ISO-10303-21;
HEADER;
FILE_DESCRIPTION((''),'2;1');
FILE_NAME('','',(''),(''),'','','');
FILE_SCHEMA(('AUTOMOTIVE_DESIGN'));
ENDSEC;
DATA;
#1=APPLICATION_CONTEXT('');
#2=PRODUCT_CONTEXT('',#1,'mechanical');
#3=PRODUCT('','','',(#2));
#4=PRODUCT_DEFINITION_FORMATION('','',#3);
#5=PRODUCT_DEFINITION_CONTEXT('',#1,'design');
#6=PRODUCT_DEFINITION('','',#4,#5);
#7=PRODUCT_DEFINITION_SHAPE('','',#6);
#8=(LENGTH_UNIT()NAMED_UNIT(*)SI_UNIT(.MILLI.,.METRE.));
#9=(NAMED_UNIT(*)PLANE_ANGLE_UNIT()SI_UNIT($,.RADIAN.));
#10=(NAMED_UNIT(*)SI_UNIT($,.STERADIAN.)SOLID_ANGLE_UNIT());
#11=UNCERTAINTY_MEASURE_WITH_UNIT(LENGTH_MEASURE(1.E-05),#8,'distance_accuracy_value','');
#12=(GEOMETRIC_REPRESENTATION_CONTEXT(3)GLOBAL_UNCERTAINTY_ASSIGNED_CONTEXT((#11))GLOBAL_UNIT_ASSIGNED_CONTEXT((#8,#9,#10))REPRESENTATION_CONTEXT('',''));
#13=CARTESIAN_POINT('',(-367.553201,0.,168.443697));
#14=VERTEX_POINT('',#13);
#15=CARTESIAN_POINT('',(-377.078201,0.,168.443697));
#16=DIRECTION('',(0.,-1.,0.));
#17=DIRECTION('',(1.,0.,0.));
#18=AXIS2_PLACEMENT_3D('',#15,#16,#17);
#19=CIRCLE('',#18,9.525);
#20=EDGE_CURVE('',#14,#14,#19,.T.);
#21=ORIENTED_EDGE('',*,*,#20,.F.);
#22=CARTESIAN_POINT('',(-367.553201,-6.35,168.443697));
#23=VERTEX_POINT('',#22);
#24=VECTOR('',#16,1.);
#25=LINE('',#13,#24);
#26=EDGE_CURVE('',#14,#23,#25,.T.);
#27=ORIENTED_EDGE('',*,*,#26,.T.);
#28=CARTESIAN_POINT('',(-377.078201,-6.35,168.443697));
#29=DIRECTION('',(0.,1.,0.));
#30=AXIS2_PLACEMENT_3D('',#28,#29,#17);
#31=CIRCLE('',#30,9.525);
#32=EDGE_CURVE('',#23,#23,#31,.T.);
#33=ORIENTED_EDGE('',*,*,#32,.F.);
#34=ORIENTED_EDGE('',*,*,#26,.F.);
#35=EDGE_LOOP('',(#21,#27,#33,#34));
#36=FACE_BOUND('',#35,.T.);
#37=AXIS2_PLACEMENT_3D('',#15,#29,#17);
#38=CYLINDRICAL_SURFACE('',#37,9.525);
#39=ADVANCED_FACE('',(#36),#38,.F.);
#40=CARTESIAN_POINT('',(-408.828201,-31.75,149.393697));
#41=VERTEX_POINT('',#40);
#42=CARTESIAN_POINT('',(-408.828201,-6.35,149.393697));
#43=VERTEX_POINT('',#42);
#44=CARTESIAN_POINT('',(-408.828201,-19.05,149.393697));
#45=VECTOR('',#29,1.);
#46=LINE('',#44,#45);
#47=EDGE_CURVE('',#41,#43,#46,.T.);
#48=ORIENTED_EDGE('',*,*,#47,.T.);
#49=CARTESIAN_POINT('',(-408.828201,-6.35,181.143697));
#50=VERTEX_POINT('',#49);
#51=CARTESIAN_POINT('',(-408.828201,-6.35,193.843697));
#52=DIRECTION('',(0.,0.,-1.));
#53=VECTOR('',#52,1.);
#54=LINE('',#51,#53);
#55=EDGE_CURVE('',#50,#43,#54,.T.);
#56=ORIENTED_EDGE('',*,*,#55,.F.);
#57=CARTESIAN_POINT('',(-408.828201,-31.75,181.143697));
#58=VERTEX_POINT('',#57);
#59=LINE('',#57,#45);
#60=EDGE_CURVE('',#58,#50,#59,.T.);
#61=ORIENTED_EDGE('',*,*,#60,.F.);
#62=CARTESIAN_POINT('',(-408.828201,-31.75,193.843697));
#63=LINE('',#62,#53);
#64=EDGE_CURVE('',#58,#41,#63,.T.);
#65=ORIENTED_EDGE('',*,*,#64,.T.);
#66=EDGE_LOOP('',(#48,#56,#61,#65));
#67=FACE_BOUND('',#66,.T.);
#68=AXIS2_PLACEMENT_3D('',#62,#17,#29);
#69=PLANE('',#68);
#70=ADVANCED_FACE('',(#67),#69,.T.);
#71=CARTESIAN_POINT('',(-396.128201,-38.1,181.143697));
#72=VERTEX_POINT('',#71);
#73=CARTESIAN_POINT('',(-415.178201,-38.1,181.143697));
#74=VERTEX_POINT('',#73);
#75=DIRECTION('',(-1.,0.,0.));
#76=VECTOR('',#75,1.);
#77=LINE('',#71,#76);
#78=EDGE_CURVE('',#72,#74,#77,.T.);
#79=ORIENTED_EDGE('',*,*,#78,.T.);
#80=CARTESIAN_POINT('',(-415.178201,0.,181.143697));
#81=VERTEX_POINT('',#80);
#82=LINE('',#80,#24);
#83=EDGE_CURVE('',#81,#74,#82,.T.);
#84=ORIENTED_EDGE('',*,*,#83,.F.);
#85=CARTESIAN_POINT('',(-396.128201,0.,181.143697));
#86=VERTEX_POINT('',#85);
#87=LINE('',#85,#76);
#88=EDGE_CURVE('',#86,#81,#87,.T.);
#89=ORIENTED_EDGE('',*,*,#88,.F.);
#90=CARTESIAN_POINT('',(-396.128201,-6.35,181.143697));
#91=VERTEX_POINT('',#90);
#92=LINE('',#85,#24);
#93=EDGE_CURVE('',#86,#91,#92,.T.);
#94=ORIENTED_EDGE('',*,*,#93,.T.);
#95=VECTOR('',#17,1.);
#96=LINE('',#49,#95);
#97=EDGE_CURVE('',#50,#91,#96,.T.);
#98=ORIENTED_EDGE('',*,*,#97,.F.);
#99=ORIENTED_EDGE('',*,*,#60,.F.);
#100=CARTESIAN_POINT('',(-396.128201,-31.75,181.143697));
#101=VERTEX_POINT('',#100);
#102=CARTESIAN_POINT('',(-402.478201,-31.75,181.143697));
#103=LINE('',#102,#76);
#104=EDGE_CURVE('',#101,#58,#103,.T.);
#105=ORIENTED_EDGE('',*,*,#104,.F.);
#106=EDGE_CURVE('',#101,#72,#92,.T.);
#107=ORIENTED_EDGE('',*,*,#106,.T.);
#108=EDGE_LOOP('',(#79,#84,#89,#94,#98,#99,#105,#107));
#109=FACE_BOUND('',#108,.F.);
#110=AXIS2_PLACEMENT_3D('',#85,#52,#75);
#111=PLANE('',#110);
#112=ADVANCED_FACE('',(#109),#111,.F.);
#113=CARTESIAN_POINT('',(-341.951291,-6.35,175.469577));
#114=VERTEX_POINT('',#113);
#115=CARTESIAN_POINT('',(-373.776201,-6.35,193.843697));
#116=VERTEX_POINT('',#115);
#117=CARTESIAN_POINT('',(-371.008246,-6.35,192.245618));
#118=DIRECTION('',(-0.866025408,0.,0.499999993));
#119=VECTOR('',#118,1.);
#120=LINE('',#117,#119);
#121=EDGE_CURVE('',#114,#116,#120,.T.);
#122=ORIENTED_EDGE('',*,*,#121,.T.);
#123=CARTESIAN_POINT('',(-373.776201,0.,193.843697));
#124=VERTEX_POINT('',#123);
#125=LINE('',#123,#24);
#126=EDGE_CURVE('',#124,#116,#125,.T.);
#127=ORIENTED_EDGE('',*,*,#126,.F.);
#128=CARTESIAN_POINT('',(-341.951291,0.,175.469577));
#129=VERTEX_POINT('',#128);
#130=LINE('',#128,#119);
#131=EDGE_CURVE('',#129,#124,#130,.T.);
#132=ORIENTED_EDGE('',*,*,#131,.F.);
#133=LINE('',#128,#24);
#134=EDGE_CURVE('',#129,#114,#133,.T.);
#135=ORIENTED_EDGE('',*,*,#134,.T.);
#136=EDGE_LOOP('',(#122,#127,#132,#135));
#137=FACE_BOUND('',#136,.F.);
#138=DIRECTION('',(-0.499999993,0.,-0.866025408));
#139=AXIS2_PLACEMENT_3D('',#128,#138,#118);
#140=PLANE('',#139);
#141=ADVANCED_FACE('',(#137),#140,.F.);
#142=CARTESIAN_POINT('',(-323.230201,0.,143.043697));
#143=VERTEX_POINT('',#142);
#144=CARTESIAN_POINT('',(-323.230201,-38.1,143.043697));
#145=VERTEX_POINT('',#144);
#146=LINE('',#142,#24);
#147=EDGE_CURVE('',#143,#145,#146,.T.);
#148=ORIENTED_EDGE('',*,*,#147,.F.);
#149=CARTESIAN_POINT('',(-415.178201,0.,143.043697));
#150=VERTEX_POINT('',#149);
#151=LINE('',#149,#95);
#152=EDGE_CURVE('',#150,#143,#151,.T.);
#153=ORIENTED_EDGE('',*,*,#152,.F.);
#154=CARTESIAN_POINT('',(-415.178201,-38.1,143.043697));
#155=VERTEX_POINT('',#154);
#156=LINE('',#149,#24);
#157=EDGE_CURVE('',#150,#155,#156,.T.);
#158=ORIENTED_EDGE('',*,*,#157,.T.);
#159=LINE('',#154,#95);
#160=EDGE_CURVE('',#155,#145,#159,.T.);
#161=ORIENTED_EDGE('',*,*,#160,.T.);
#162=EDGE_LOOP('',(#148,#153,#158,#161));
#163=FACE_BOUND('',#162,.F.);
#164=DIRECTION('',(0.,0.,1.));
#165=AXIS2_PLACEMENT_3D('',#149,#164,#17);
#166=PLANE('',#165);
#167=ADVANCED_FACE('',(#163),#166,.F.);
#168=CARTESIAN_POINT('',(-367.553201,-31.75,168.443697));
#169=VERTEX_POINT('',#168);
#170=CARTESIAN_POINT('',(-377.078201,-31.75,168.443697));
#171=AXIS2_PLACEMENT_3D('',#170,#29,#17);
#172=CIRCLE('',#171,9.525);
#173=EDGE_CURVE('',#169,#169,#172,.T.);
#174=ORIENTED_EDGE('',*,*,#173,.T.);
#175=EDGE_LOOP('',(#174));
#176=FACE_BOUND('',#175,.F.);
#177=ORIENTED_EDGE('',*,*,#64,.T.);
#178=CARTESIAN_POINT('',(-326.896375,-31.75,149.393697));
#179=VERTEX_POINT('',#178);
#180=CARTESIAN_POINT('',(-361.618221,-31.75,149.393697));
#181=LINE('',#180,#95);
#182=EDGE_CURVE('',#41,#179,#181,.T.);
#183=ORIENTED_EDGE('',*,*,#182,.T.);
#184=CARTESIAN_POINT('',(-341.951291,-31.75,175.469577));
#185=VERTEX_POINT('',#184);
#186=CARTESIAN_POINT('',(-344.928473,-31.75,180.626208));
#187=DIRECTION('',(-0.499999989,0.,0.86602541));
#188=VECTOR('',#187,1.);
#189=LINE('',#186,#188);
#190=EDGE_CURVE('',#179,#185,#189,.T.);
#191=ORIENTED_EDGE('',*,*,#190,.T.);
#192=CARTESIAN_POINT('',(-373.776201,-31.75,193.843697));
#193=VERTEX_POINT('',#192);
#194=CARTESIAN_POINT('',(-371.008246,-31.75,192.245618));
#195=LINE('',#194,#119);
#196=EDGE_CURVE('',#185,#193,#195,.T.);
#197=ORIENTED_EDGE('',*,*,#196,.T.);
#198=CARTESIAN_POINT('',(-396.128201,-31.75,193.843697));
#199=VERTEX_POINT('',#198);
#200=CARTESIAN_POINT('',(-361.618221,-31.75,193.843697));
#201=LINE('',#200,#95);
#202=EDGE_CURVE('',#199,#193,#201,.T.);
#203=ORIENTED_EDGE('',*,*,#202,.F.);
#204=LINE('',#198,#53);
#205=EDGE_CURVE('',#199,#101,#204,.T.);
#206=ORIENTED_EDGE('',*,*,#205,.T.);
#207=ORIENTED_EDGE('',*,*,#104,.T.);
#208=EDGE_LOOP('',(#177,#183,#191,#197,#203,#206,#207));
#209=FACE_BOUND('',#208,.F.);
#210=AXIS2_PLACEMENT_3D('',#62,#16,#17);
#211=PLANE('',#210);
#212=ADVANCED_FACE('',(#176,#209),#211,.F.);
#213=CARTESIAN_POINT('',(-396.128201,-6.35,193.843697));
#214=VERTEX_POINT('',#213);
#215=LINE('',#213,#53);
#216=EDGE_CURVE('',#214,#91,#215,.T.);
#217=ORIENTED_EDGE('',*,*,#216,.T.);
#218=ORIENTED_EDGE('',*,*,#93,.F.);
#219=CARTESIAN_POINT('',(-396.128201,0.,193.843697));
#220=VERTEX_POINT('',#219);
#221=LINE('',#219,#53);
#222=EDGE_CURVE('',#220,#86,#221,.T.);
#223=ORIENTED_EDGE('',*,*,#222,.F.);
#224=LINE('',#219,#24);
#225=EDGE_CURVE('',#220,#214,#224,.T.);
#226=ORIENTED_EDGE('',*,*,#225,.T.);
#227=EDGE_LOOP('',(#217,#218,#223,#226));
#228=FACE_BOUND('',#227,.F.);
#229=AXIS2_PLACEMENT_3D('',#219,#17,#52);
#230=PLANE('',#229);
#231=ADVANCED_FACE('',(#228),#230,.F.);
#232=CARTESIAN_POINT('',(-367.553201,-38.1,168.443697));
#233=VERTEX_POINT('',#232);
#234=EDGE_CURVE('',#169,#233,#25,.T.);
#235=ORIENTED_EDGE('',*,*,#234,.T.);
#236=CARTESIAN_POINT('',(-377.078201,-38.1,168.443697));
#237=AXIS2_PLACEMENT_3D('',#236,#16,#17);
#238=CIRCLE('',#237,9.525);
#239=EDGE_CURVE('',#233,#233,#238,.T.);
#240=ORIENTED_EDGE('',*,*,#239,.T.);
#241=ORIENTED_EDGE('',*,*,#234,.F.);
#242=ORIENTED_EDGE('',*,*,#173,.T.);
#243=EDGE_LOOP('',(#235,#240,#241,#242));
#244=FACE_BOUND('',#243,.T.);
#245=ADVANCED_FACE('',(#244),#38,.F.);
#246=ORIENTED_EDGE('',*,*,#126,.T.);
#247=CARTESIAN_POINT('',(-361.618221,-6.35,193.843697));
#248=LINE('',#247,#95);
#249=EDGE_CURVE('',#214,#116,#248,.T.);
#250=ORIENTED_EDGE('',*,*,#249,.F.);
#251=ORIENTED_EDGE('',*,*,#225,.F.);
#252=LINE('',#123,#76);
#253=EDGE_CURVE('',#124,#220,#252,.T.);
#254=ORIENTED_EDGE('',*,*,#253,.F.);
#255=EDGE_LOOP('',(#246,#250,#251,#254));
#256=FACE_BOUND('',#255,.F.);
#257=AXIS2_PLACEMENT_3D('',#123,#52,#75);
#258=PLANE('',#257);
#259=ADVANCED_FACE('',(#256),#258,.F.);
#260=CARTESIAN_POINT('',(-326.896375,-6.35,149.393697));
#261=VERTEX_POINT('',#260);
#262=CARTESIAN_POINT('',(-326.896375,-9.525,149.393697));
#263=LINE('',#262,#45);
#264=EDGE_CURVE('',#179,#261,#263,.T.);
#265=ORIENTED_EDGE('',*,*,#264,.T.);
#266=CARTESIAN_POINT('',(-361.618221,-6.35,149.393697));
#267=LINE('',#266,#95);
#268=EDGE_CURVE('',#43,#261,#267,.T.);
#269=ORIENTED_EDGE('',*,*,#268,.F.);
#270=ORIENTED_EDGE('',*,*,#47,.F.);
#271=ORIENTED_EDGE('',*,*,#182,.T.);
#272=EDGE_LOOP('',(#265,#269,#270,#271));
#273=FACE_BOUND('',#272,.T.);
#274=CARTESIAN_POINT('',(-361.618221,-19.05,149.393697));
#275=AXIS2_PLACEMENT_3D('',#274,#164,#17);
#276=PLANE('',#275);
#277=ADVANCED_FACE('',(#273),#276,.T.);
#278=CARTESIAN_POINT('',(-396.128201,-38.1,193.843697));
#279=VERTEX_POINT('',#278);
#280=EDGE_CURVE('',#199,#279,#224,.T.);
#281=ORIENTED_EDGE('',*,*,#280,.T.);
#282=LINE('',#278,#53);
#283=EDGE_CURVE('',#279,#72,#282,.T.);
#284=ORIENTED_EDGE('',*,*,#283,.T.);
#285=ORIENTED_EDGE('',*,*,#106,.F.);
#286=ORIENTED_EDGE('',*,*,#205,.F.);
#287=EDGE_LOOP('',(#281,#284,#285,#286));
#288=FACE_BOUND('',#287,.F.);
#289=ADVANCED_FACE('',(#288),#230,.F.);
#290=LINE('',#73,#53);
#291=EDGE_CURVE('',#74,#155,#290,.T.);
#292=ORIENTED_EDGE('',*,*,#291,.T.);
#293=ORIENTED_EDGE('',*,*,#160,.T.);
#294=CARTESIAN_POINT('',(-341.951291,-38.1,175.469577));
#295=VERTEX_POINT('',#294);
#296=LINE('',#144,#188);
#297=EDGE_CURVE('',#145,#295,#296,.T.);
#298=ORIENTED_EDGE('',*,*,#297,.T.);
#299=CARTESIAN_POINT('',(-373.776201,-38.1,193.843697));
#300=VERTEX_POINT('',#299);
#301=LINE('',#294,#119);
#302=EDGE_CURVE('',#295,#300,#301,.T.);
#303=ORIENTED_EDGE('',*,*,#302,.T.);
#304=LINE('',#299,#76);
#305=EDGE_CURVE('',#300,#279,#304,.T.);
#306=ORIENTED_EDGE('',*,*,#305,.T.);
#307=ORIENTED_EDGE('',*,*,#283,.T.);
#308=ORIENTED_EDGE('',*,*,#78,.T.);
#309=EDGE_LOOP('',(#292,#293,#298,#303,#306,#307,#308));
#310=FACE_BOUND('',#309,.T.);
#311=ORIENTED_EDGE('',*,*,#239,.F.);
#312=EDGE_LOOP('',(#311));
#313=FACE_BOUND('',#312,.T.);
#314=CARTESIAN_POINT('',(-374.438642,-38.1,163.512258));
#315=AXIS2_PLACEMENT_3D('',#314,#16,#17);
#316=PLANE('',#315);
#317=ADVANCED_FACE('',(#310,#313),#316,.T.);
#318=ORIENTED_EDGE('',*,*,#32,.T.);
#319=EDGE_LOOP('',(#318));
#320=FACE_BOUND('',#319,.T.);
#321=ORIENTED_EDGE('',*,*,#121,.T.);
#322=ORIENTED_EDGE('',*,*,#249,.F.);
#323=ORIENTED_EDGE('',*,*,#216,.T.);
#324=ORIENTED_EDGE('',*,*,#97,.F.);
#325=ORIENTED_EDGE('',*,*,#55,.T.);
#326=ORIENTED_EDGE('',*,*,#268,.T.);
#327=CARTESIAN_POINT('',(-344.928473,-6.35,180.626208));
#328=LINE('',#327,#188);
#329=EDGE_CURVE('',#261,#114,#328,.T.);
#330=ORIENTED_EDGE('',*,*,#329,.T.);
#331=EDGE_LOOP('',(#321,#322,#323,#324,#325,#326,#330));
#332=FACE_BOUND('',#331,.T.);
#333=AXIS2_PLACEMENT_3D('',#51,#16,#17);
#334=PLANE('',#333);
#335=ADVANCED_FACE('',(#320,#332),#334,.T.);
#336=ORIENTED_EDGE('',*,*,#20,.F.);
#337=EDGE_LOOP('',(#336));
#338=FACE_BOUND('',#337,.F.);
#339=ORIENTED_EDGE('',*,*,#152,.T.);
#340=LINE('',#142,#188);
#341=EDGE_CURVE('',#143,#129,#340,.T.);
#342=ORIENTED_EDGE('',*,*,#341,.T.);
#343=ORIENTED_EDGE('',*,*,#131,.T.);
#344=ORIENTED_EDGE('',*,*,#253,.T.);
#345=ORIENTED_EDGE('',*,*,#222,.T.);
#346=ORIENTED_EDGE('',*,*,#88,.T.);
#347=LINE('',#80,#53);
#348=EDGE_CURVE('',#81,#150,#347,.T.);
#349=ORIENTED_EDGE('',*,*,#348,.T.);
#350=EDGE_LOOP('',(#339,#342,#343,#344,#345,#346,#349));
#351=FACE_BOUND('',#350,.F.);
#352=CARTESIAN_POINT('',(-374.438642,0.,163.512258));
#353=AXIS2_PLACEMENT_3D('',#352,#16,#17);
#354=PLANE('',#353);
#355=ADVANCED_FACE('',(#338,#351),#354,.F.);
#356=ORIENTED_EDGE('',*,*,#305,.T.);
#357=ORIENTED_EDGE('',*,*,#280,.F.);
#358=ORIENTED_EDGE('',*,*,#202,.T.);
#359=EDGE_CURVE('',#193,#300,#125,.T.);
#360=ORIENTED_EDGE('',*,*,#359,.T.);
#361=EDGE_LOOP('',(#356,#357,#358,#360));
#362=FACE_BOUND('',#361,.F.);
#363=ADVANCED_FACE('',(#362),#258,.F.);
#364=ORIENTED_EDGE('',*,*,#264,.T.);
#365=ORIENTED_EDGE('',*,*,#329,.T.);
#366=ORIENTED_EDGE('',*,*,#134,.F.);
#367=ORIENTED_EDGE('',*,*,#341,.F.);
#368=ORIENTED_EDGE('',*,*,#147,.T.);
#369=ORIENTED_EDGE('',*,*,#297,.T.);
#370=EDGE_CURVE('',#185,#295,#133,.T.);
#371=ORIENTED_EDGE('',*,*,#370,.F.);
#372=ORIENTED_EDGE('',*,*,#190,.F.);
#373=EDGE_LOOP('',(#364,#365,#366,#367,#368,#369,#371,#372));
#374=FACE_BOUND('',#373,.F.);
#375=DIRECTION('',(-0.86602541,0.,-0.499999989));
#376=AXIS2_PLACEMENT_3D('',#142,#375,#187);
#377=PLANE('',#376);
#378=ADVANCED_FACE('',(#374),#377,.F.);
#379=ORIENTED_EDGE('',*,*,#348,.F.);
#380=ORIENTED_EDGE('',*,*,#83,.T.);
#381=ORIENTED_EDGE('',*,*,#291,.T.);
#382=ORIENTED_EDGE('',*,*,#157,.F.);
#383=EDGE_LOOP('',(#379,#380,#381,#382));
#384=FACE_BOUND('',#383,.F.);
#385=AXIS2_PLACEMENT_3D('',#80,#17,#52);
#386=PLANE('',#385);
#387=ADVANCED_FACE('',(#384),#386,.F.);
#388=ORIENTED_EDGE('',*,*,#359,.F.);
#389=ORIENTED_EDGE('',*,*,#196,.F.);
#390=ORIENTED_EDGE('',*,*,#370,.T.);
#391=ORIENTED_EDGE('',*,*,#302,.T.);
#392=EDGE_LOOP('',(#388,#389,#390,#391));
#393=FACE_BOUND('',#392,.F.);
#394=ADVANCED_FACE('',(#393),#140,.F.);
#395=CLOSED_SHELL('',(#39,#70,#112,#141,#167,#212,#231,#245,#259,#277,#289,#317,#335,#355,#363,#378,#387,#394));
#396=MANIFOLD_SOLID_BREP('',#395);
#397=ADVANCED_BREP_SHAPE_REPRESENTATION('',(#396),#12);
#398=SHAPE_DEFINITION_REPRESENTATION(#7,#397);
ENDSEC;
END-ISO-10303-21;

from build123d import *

# Parameters (mm, degrees)
F0_R     = 9.525
F1_DEPTH = 38.1
F2_W     = 6.35
F2_H     = 6.35
F3_DEPTH = 12.7
F4_W     = 94.41996
F4_H     = 25.4
F5_DEPTH = 44.45


with BuildPart() as f1:
    # F0 (on Front) → F1 (new body)
    with BuildSketch(Plane.XZ):
        Polygon((-396.128201, 181.143697), (-415.178201, 181.143697), (-415.178201, 143.043697), (-323.230201, 143.043697), (-341.951291, 175.469577), (-373.776201, 193.843697), (-396.128201, 193.843697), align=None)
        with Locations((-377.078201, 168.443697)):
            Circle(F0_R, mode=Mode.SUBTRACT)
    extrude(amount=F1_DEPTH)

    # F2 (on face) → F3 (join)
    with BuildSketch(Plane.XY.offset(181.143697)):
        with Locations((-405.653201, -9.525)):
            Rectangle(F2_W, F2_H)
    extrude(amount=F3_DEPTH)

    # F4 (on face) → F5 (cut)
    with BuildSketch(Plane.XY.offset(193.843697)):
        with Locations((-361.618221, -19.05)):
            Rectangle(F4_W, F4_H)
    extrude(amount=-F5_DEPTH, mode=Mode.SUBTRACT)


solid = f1.part
